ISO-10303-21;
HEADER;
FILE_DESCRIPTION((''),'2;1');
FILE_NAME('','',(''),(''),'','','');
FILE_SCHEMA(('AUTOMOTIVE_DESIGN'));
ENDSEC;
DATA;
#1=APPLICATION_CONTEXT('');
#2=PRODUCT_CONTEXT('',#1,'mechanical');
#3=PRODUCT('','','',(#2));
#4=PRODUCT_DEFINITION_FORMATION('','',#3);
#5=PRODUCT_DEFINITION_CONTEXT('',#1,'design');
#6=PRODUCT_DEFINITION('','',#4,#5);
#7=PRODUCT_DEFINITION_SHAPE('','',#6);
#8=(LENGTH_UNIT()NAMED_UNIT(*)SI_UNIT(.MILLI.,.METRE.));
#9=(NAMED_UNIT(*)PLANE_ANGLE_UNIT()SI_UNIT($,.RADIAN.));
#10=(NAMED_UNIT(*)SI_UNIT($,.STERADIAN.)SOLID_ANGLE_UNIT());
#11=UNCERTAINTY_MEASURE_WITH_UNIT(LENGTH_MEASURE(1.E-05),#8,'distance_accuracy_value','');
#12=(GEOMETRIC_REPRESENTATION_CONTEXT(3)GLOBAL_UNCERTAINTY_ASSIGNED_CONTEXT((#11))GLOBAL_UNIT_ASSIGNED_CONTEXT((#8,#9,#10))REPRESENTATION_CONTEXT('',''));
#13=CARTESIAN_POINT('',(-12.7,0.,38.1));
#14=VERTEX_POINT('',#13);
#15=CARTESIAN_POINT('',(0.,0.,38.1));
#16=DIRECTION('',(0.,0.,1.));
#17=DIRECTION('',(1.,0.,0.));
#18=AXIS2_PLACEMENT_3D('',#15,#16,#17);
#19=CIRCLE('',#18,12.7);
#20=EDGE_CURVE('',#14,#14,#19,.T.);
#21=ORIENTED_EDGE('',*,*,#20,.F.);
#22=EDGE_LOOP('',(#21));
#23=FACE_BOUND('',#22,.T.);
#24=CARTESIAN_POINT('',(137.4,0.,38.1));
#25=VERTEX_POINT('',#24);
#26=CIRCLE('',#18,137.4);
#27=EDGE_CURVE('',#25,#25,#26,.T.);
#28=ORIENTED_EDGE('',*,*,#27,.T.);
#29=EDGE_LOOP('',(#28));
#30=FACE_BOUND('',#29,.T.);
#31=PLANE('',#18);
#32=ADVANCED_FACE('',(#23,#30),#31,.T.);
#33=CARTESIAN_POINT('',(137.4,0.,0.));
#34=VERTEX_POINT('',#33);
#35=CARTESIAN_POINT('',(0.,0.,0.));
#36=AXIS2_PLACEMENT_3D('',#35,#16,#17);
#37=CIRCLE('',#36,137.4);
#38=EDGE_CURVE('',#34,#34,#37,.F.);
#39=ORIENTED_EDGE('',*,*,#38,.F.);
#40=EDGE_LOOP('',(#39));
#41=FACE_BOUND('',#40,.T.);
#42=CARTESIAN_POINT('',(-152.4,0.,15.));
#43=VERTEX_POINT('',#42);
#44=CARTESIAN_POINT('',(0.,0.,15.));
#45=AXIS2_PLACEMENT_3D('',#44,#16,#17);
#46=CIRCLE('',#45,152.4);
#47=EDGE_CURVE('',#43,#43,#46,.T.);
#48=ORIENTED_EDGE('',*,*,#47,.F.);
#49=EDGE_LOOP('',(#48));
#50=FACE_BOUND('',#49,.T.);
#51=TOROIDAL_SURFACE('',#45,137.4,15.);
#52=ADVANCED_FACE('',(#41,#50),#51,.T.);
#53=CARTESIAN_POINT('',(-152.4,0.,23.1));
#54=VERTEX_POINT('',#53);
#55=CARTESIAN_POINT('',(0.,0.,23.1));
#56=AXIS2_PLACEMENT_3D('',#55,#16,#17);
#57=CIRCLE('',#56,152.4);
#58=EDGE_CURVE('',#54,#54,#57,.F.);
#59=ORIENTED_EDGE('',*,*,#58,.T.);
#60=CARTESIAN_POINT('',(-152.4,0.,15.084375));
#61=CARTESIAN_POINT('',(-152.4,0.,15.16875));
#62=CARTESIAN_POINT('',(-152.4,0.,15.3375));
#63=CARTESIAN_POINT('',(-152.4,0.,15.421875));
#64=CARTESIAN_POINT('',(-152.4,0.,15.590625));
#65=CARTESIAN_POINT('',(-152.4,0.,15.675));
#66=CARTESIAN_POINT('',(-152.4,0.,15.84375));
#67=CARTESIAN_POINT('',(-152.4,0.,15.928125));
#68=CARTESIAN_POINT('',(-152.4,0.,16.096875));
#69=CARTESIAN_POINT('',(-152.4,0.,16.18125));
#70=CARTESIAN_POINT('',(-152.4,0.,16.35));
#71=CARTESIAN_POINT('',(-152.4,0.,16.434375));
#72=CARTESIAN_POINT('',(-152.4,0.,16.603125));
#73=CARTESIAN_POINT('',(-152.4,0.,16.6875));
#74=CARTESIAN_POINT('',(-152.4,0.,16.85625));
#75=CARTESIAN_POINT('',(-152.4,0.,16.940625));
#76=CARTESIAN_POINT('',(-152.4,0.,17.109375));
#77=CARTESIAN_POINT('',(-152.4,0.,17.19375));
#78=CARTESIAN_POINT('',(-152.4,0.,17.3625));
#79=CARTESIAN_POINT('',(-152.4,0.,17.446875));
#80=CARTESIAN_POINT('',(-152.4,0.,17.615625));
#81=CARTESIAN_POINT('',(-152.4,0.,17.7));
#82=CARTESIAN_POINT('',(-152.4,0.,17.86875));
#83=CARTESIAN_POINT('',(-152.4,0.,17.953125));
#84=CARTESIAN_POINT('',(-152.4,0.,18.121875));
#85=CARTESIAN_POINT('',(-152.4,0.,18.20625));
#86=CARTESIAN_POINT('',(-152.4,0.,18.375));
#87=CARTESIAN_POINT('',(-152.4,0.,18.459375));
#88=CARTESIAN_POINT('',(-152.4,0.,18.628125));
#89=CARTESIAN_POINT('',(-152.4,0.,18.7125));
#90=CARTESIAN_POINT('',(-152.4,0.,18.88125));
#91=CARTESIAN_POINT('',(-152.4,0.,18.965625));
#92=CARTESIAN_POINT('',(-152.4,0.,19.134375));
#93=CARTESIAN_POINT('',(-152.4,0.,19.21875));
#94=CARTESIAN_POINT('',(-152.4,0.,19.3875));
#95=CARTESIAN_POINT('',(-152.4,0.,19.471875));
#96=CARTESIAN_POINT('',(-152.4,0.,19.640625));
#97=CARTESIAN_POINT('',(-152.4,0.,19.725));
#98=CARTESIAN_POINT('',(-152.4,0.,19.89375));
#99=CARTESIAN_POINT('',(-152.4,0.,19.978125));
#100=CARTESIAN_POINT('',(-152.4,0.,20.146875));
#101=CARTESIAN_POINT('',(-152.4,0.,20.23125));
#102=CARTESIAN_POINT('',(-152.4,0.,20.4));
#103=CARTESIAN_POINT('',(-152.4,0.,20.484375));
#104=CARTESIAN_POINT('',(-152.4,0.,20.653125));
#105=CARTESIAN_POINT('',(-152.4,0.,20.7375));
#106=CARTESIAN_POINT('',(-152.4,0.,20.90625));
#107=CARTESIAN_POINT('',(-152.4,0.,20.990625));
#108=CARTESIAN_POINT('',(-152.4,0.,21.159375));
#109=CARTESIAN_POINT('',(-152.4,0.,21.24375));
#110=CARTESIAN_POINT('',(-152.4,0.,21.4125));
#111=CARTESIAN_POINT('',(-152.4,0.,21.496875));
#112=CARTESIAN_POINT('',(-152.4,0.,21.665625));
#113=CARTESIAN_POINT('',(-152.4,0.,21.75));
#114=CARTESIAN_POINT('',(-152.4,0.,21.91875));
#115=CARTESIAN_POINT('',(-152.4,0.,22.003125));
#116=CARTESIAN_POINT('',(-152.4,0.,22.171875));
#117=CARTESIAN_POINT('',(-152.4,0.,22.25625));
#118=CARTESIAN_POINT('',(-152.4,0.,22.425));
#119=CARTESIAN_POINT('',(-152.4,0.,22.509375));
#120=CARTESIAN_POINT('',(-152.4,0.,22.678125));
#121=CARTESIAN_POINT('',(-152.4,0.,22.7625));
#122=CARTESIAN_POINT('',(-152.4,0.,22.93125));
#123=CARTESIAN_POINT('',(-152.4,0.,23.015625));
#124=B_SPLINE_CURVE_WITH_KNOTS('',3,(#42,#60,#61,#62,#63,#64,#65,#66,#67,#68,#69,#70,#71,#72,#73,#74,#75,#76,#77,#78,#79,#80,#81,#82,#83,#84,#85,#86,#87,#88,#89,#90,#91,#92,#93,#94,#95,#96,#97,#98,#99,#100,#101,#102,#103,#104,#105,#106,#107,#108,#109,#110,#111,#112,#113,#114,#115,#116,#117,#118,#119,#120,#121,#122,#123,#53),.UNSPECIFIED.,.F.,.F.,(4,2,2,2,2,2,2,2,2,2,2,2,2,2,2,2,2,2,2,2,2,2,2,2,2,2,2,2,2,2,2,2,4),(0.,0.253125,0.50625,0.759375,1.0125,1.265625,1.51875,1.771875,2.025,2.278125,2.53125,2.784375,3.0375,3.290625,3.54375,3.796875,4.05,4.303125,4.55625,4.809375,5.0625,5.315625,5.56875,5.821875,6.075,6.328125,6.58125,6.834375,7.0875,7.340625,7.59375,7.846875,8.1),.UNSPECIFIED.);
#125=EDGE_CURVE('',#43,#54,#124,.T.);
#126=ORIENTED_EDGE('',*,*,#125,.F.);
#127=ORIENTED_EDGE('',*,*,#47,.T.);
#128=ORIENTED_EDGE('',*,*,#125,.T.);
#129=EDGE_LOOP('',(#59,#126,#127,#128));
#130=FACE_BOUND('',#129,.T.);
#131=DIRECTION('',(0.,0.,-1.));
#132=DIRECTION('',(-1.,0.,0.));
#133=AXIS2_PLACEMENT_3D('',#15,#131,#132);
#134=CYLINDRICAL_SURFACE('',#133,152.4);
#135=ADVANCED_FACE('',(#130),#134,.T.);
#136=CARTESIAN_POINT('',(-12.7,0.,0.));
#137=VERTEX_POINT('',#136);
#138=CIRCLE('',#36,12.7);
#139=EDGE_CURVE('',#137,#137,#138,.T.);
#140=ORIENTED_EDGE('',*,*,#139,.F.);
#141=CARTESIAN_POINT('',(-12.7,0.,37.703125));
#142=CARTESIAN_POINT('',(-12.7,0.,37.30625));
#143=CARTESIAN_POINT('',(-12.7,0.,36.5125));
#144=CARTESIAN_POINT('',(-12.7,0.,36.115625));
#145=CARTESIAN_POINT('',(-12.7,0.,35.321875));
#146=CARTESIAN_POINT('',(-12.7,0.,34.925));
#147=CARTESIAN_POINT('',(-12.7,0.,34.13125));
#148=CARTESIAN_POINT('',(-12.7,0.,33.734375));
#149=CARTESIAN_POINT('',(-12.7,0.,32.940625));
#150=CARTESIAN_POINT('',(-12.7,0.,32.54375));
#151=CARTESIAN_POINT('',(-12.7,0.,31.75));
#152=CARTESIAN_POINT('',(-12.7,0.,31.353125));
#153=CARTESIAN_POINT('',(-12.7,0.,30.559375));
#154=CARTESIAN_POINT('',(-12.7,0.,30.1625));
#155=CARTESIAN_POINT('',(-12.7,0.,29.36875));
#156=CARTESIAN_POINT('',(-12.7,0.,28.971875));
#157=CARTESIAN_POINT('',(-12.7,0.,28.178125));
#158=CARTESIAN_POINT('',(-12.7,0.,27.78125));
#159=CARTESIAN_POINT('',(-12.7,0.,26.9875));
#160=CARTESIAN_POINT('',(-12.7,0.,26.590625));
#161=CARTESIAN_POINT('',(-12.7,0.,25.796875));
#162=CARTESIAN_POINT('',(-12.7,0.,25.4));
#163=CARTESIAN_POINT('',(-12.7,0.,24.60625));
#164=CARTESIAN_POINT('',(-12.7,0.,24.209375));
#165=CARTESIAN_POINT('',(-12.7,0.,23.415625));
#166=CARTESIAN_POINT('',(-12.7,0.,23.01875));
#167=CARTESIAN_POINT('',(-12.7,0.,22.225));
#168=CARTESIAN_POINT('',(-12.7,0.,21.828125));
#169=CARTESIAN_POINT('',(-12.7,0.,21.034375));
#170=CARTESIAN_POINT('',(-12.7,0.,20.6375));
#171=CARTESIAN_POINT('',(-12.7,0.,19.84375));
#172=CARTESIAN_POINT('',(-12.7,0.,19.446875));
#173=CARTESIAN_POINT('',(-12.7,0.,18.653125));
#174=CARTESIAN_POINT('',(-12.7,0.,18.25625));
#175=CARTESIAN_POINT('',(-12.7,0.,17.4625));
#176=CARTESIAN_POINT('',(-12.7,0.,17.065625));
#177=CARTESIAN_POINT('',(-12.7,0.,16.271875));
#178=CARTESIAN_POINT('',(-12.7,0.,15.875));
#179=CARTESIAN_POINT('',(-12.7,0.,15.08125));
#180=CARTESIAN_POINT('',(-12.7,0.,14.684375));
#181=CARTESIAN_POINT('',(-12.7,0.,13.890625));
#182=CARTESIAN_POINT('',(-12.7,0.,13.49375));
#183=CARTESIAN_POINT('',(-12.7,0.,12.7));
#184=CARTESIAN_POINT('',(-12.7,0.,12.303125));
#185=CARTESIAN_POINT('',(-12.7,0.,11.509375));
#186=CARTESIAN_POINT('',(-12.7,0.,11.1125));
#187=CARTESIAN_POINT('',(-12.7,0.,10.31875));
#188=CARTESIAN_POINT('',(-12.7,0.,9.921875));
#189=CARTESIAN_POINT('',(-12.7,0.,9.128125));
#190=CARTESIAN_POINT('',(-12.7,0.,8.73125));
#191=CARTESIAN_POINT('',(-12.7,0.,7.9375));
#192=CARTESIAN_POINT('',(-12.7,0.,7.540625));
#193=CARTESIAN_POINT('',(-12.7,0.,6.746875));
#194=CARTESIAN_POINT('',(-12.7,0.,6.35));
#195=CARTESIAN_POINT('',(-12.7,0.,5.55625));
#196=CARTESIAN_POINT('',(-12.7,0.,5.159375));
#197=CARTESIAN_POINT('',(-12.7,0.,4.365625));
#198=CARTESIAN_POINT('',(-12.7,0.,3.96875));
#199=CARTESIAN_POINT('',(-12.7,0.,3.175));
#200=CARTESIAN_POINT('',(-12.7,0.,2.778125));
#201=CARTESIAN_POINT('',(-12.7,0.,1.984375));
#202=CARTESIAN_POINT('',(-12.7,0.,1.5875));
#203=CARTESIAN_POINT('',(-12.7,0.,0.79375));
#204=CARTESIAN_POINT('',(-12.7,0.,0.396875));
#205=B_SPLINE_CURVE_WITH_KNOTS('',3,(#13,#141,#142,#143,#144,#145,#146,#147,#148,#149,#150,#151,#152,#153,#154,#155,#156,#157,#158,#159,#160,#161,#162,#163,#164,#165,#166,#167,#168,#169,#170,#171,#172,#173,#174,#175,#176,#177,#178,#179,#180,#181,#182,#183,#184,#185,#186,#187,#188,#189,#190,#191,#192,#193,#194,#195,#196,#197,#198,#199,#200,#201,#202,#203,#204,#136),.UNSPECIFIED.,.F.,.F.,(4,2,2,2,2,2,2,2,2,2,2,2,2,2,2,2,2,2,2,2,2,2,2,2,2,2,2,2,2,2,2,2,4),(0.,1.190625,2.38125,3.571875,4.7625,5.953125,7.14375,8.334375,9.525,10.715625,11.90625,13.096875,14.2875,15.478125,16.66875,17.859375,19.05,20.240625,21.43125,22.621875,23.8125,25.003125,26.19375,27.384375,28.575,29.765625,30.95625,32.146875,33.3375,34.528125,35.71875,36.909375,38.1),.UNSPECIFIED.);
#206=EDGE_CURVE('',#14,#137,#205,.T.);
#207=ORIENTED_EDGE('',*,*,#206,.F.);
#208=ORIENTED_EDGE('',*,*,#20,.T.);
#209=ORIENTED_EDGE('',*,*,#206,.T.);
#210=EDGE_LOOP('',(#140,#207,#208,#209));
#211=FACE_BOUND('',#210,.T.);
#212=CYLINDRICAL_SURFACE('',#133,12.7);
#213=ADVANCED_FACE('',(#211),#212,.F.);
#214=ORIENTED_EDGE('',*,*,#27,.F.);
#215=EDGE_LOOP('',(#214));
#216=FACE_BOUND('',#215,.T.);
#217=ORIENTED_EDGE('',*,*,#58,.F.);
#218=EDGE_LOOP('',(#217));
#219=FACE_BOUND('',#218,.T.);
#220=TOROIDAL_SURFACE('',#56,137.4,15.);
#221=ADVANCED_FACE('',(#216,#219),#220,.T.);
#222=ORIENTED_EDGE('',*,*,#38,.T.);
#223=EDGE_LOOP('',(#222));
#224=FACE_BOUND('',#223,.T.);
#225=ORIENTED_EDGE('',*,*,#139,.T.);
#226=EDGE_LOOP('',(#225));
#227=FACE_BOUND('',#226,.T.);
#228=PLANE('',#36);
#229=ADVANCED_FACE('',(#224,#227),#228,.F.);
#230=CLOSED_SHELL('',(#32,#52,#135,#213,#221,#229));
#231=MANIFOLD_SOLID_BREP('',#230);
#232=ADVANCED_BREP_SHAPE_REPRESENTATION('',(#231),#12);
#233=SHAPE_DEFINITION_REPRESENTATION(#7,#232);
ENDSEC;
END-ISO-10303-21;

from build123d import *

# Parameters (mm, degrees)
SKETCH1_R           = 152.4
SKETCH1_R_2         = 12.7
BOSS_EXTRUDE1_DEPTH = 38.1
FILLET1_R           = 15


with BuildPart() as part:
    # Sketch1 → Boss-Extrude1 (new body)
    with BuildSketch(Plane.XY):
        with Locations(Location((0, 0, 0), (0, 0, 180))):
            Circle(SKETCH1_R)
        with Locations(Location((0, 0, 0), (0, 0, 180))):
            Circle(SKETCH1_R_2, mode=Mode.SUBTRACT)
    extrude(amount=BOSS_EXTRUDE1_DEPTH)

    # Fillet1
    fillet1_edges = [part.edges().sort_by_distance(p)[0] for p in [
        (152.4, 0, 0),
        (152.4, 0, 38.1),
    ]]
    fillet(fillet1_edges, radius=FILLET1_R)


solid = part.part
